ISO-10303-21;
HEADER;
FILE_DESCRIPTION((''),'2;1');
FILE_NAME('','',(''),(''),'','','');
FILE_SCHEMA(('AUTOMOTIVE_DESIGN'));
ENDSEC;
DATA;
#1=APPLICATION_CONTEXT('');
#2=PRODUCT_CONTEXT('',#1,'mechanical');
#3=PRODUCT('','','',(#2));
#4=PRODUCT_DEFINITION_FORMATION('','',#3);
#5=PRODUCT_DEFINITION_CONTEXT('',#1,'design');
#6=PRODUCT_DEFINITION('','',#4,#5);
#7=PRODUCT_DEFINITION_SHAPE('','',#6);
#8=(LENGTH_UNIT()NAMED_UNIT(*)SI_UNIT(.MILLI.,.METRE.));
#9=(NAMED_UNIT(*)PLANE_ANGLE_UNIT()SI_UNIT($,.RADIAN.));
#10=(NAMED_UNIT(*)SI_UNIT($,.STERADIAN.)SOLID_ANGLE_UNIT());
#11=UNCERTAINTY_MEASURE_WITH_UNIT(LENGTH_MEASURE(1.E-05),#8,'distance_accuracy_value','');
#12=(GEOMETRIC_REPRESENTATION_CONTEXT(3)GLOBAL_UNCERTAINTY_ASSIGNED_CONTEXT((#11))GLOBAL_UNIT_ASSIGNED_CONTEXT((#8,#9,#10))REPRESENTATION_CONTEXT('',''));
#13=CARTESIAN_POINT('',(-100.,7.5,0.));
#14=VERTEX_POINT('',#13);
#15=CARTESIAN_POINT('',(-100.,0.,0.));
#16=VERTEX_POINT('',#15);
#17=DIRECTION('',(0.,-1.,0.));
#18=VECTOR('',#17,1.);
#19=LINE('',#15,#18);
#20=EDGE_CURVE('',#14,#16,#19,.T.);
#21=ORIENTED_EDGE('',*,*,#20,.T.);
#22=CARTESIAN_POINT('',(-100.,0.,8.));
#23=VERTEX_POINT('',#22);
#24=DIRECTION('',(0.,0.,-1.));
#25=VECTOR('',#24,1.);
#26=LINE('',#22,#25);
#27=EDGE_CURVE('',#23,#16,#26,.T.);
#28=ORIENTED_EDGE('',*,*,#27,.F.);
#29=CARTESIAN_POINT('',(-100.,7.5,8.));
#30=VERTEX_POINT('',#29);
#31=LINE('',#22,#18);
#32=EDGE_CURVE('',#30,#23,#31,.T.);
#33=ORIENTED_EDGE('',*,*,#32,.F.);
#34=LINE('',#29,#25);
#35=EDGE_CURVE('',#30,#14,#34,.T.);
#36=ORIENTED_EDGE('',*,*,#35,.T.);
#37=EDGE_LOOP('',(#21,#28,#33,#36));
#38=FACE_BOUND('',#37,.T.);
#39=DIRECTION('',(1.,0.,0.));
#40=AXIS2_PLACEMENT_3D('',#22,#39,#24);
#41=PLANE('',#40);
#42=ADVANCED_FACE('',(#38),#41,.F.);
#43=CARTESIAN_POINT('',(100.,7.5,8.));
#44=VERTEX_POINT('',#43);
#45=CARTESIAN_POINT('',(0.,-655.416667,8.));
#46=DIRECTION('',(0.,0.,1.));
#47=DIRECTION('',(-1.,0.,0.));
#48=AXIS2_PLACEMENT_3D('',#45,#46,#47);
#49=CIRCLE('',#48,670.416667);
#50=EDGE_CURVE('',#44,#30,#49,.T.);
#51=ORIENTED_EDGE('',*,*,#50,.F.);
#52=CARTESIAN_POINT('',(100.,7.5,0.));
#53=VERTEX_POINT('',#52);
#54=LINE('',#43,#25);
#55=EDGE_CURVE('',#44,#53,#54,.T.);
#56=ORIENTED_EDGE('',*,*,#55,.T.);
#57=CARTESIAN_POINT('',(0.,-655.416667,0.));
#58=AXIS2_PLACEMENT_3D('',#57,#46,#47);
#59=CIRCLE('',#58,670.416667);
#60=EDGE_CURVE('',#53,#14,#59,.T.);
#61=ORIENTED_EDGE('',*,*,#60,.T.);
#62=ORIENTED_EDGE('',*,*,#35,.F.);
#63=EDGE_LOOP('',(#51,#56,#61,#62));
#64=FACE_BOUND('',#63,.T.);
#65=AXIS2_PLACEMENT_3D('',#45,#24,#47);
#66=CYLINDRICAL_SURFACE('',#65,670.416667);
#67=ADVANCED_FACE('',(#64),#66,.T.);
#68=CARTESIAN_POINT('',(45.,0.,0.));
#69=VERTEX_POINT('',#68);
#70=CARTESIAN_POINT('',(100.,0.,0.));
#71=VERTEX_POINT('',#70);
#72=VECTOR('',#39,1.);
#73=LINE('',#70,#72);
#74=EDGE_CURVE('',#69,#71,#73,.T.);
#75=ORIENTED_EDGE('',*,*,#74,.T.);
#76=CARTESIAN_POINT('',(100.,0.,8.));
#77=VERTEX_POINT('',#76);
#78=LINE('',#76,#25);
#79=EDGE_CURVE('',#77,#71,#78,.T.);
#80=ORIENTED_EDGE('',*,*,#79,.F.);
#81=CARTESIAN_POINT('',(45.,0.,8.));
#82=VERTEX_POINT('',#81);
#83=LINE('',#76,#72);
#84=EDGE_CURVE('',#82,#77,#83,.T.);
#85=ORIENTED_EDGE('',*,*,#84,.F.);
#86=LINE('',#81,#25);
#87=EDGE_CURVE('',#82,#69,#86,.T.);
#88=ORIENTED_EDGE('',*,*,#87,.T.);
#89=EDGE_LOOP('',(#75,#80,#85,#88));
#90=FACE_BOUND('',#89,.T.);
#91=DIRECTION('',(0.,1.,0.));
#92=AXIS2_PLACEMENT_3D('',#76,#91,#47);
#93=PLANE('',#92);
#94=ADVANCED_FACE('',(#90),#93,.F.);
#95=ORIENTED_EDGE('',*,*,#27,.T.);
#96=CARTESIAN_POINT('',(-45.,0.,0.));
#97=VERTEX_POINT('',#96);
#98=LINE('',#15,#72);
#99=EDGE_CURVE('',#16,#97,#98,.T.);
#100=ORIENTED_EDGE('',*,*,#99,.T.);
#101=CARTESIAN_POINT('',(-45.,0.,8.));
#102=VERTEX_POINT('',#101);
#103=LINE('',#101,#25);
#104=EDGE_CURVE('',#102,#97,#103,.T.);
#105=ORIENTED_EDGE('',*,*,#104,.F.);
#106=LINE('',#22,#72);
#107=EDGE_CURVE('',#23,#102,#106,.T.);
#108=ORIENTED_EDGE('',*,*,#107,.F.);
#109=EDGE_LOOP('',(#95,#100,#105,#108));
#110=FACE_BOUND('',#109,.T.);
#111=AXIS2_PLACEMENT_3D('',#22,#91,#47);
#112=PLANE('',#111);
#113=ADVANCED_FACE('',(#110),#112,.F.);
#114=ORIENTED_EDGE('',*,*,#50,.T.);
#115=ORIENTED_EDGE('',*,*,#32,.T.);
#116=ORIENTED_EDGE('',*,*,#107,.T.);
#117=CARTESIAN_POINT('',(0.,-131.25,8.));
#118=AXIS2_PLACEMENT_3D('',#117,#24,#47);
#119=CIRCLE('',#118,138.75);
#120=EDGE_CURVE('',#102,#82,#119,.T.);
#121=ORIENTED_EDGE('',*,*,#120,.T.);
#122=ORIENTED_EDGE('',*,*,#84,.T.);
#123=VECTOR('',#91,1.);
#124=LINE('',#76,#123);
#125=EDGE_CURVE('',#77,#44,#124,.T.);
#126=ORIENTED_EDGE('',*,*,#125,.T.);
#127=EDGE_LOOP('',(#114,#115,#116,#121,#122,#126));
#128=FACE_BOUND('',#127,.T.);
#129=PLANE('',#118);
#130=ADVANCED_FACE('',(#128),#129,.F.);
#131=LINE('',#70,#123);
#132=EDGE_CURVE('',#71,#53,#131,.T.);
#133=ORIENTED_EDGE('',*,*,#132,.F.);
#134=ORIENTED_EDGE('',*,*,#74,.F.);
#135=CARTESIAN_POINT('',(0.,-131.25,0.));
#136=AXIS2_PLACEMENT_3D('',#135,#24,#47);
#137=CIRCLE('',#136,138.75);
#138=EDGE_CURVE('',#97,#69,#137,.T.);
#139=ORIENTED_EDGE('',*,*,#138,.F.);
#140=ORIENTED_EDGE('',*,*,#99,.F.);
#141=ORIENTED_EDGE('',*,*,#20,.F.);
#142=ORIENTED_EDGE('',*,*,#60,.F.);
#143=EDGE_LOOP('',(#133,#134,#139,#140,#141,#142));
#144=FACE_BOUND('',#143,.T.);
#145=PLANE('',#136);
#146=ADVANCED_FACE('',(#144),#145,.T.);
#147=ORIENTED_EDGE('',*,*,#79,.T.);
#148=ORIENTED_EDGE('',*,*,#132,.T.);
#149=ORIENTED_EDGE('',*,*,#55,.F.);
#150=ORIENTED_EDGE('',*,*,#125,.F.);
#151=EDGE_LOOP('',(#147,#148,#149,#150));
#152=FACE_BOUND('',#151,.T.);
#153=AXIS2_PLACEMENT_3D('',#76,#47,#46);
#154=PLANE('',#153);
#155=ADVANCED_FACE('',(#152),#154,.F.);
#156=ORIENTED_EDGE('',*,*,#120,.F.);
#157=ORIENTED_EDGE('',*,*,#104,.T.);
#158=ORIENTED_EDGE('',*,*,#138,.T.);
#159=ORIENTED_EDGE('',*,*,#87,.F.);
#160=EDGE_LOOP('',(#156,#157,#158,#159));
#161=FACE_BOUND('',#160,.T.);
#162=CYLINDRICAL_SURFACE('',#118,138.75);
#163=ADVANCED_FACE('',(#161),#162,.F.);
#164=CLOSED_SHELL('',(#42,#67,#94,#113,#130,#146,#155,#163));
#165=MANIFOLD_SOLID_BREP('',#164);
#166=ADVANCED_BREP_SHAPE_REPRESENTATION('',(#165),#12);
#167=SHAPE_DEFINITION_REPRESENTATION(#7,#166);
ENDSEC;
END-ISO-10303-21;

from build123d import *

# Parameters (mm, degrees)
BOSS_EXTRU_1_DEPTH = 8


with BuildPart() as part:
    # Esquisse1 → Boss.-Extru.1 (new body)
    with BuildSketch(Plane.XY):
        with BuildLine():
            Line((-100, 0), (-100, 7.5))
            ThreePointArc((-100, 7.5), (0, 15), (100, 7.5))
            Line((100, 7.5), (100, 0))
            Line((100, 0), (45, 0))
            ThreePointArc((45, 0), (0, 7.5), (-45, 0))
            Line((-45, 0), (-100, 0))
        make_face()
    extrude(amount=BOSS_EXTRU_1_DEPTH)


solid = part.part
